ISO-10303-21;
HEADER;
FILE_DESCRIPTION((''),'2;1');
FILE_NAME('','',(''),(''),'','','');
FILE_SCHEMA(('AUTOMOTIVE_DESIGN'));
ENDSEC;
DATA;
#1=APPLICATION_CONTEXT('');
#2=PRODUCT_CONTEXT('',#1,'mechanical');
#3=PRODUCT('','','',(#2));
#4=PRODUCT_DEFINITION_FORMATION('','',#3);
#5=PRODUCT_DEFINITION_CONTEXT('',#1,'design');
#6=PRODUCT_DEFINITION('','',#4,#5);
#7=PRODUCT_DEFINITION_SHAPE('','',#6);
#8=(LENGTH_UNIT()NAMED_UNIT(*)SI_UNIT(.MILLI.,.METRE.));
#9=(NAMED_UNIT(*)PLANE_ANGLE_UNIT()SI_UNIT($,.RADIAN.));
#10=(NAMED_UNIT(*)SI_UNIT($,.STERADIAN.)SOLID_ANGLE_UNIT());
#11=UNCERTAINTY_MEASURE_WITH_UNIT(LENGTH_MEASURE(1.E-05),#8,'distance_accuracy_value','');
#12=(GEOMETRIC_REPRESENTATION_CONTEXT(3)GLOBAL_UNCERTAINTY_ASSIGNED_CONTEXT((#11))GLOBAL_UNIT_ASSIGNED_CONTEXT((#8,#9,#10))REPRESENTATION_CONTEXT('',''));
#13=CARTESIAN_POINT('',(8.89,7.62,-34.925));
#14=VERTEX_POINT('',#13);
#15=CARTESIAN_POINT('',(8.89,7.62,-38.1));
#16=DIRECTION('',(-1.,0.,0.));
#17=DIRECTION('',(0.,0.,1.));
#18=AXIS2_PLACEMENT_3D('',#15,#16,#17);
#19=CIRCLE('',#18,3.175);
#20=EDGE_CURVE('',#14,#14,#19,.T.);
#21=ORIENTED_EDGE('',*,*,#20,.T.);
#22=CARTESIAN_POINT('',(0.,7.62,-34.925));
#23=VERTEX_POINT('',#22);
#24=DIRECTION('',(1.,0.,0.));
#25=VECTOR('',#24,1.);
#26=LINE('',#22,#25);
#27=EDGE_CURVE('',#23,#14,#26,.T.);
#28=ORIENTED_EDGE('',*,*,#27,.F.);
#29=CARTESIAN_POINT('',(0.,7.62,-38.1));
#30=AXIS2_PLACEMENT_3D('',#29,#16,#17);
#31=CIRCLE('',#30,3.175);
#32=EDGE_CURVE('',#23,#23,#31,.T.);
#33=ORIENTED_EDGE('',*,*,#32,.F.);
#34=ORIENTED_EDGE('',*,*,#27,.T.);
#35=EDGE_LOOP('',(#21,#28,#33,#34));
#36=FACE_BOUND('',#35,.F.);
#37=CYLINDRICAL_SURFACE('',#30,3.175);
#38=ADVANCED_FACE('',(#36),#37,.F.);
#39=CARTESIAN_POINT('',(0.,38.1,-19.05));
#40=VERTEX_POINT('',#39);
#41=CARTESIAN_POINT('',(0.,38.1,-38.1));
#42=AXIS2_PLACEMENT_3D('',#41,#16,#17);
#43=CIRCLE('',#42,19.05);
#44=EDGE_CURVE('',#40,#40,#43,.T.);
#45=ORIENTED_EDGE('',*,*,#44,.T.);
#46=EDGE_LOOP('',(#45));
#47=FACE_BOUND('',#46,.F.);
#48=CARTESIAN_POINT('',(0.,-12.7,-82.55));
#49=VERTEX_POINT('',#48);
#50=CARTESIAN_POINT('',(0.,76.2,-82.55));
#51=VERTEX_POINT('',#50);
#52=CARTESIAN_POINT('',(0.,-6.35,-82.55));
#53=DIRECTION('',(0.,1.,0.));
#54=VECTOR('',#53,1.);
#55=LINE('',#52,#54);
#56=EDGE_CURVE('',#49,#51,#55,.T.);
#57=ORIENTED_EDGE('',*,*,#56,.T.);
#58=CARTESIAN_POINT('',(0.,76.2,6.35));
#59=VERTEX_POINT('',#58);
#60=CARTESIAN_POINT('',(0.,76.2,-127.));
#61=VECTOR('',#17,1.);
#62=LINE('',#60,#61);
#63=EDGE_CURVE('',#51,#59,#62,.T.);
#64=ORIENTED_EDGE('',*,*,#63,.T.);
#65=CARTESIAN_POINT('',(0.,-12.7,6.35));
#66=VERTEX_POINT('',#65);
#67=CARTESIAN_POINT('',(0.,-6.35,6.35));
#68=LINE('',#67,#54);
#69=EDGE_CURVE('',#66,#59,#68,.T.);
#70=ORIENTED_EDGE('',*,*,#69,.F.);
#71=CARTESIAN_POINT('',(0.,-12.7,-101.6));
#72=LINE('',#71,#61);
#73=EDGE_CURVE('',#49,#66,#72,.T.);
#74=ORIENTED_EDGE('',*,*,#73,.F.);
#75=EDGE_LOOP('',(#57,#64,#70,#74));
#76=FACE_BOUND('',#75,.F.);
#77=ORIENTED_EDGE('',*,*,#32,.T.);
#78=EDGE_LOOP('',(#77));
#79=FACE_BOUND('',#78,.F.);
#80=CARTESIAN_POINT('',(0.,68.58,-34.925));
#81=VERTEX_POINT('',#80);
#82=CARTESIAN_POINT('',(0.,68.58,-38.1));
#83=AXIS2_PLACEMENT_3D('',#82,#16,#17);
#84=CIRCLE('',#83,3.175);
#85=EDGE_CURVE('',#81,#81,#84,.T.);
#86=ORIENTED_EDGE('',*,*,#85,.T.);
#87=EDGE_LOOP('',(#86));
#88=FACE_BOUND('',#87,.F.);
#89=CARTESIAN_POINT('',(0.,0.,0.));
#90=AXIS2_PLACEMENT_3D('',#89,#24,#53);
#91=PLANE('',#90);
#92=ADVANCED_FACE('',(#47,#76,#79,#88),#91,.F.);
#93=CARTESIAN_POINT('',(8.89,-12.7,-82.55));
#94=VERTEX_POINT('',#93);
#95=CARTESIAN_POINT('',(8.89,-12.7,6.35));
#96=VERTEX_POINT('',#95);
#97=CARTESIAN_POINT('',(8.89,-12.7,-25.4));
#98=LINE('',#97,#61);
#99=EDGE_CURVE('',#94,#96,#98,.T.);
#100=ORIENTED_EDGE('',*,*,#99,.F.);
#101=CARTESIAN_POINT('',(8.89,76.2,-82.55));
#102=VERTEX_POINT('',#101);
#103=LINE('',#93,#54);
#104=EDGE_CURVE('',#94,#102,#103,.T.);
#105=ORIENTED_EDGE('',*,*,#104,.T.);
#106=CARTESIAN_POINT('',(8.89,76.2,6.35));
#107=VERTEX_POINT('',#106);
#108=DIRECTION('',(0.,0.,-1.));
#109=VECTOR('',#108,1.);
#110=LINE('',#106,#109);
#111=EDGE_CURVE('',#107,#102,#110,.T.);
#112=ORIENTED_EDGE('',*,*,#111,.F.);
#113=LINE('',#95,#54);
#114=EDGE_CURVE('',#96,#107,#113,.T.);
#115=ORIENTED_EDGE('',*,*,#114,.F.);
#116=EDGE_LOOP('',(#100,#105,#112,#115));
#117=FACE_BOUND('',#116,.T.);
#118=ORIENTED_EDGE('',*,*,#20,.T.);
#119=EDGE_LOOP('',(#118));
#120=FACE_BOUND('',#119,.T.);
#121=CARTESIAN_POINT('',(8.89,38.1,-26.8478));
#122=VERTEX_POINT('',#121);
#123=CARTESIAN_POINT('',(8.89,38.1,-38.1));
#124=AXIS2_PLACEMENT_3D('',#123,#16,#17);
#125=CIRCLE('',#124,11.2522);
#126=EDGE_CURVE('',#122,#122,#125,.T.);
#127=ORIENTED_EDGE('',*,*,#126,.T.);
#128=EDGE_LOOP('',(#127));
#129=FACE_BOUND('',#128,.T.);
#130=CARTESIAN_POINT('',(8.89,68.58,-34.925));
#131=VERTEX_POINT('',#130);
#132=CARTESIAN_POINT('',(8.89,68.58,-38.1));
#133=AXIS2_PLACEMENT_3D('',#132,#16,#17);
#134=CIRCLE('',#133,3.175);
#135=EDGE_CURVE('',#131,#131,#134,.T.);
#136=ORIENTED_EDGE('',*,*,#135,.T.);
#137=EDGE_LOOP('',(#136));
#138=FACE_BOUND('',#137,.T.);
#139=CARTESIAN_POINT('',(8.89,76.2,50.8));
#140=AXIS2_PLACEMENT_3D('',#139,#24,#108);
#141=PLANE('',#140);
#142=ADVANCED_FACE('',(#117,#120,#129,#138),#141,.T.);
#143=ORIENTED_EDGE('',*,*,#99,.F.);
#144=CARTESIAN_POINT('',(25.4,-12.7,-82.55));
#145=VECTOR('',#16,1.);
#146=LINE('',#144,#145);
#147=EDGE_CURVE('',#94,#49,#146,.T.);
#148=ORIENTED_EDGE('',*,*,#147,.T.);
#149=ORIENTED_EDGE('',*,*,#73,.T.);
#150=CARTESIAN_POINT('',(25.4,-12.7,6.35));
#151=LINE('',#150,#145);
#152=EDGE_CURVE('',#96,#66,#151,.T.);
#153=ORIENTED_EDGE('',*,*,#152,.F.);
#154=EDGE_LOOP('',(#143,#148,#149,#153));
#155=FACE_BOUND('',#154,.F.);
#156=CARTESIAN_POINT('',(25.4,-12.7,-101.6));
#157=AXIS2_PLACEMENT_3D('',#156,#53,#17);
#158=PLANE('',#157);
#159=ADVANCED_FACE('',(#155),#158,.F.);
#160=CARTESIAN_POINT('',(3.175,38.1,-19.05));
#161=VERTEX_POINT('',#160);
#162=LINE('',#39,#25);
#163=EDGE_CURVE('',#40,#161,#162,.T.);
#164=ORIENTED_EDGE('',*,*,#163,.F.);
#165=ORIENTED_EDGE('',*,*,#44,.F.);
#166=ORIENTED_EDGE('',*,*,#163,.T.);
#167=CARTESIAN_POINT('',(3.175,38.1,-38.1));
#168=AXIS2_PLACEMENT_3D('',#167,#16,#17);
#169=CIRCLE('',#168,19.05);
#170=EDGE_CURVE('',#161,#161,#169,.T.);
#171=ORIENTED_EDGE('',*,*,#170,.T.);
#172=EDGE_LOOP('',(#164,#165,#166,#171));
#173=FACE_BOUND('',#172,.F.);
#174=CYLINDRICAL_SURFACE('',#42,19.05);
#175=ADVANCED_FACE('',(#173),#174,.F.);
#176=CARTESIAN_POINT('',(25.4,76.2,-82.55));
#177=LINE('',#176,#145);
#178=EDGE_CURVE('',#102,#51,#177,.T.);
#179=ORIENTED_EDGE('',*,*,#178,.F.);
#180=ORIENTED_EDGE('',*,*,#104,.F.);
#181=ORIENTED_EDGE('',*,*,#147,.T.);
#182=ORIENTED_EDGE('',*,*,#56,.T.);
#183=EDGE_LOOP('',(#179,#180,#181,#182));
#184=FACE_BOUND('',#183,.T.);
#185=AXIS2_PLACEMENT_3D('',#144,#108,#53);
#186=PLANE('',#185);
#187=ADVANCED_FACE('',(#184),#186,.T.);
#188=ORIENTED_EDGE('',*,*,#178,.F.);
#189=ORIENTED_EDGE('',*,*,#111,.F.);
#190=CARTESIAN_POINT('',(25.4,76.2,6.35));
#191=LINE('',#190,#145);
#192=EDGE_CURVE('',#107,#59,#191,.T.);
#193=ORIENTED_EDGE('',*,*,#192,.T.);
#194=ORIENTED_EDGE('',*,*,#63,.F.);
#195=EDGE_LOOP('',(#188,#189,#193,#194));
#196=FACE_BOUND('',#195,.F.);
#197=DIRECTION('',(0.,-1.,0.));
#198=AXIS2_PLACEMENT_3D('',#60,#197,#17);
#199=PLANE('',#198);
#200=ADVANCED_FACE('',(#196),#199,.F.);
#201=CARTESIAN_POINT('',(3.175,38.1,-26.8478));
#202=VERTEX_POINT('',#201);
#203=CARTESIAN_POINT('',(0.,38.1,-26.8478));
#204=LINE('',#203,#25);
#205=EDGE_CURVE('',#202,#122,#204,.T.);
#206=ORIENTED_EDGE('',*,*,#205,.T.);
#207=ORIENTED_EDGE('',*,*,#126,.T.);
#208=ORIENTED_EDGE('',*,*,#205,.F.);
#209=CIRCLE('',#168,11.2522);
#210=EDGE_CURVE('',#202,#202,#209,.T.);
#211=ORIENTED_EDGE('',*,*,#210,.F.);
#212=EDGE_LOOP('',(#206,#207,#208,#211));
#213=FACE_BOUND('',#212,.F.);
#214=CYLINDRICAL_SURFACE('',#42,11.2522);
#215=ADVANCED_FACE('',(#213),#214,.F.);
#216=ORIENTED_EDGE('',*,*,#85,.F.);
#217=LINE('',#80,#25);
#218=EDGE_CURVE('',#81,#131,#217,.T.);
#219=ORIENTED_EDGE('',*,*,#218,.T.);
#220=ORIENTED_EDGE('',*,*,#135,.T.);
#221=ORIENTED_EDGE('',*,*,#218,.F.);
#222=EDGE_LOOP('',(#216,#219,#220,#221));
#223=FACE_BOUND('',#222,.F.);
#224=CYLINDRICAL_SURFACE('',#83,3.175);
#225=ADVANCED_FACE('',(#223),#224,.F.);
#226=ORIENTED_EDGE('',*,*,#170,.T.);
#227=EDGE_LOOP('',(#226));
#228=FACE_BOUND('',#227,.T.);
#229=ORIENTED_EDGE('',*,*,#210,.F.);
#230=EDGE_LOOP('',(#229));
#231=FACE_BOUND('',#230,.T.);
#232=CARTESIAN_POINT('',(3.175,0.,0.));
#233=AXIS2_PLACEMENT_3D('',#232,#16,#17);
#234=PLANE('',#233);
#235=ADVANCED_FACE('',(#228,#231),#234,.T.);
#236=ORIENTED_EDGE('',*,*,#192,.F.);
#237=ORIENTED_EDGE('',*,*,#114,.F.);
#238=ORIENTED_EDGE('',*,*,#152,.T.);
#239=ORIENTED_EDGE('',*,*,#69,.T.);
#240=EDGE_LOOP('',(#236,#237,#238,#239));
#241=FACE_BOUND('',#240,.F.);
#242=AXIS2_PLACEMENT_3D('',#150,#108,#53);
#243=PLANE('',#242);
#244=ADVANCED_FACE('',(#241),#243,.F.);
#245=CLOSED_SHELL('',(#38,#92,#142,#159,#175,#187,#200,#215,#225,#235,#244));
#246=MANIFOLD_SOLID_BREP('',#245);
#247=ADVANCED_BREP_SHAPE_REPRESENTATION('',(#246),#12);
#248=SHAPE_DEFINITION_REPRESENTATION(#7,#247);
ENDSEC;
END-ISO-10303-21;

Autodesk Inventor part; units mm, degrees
ref_plane "YZ Plane" through (0, 0, 0) normal (1, 0, 0) x (0, 1, 0)
ref_plane "XZ Plane" through (0, 0, 0) normal (0, 1, 0) x (-1, 0, 0)
ref_plane "XY Plane" through (0, 0, 0) normal (0, 0, 1) x (1, 0, 0)
sketch "Sketch3" plane through (0, 0, 0) normal (1, 0, 0) x (0, 1, 0)
  line L0 (0, 0) -> (76.2, 0)
  line L1 (76.2, 0) -> (76.2, -76.2)
  line L2 (76.2, -76.2) -> (0, -76.2)
  line L3 (0, -76.2) -> (0, 0)
  line L4 (76.2, 0) -> (50.8, 0)
  line L5 (50.8, 50.8) -> (76.2, 50.8)
  line L6 (76.2, 50.8) -> (76.2, 0)
  line L7 (76.2, -76.2) -> (50.8, -76.2)
  line L8 (50.8, -127) -> (76.2, -127)
  line L9 (76.2, -127) -> (76.2, -76.2)
  line L10 (50.8, 50.8) -> (-50.8, 50.8)
  line L11 (-50.8, 50.8) -> (-50.8, 0)
  line L12 (0, 0) -> (50.8, 0)
  line L13 (50.8, -76.2) -> (0, -76.2)
  line L14 (-50.8, -76.2) -> (-50.8, -127)
  line L15 (-50.8, -127) -> (50.8, -127)
  line L16 (0, 0) -> (0, -76.2)
  line L17 (-50.8, -76.2) -> (-50.8, 0)
  dimension "d1" = 76.2
  dimension "d26" = 50.8
extrude "Extrusion1" add sketch "Sketch3" along normal blind 25.4
sketch "Sketch5" plane through (0, 0, 0) normal (-1, 0, 0) x (0, 0, 1)
  line L0 (-76.2, 76.2) -> (0, 76.2) projected
  line L1 (-76.2, 76.2) -> (-38.1, 76.2)
  line L2 (-38.1, 76.2) -> (-38.1, 63.5)
  line L3 (-38.1, 63.5) -> (-38.1, 38.1)
  circle A0 centre (-38.1, 38.1) radius 11.2522
  point P0 (0, 0)
  dimension "d10" = 38.1
  dimension "d11" = 12.7
  dimension "d12" = 25.4
  dimension "d13" = 22.5044
extrude "Extrusion3" cut sketch "Sketch5" against normal blind 76.2
sketch "Sketch6" plane through (25.4, 0, 0) normal (1, 0, 0) x (0, 0, -1)
  circle A0 centre (38.1, 38.1) radius 11.2522 projected
  circle A1 centre (38.1, 38.1) radius 19.05
  point P0 (0, 0)
  dimension "d20" = 38.1
extrude "Extrusion4" cut sketch "Sketch6" against normal blind 6.35
sketch "Sketch8" plane through (0, 76.2, 50.8) normal (0, 1, 0) x (1, 0, 0)
  line L0 (0, 0) -> (25.4, 0) projected
  line L1 (12.7, 0) -> (9.525, 0)
  line L2 (9.525, 0) -> (15.875, 0)
  line L3 (15.875, 0) -> (15.875, 50.8)
  line L4 (15.875, 50.8) -> (9.525, 50.8)
  line L5 (9.525, 50.8) -> (9.525, 0)
  line L6 (0, 177.8) -> (0, 0) projected
  line L7 (12.7, 177.8) -> (9.525, 177.8)
  line L8 (9.525, 177.8) -> (15.875, 177.8)
  line L9 (15.875, 177.8) -> (15.875, 127)
  line L10 (15.875, 127) -> (9.525, 127)
  line L11 (9.525, 127) -> (9.525, 177.8)
  line L12 (0, 0) -> (0, 177.8)
  point P0 (0, 50.8)
  point P1 (25.4, 177.8)
  point P2 (15.875, 0)
  dimension "d28" = 6.35
  dimension "d29" = 50.8
extrude "Extrusion5" cut sketch "Sketch8" against normal blind 76.2
sketch "Sketch9" plane through (0, -50.8, 50.8) normal (0, 0, 1) x (1, 0, 0)
  line L0 (9.525, 50.8) -> (15.875, 50.8)
  line L1 (15.875, 50.8) -> (15.875, 0)
  line L2 (15.875, 0) -> (9.525, 0)
  line L3 (9.525, 0) -> (9.525, 50.8)
  point P0 (0, 50.8)
  dimension "d32" = 6.35
  dimension "d33" = 50.8
extrude "Extrusion6" cut sketch "Sketch9" against normal blind 203.2
sketch "Sketch10" plane through (0, 0, 0) normal (-1, 0, 0) x (0, 0, 1)
  circle A0 centre (-38.1, 38.1) radius 11.2522 projected
  circle A1 centre (-38.1, 38.1) radius 19.05
  point P0 (0, 0)
  dimension "d36" = 38.1
extrude "Extrusion7" cut sketch "Sketch10" against normal blind 3.175 contours A0 | A1
sketch "Sketch11" plane through (0, 76.2, 50.8) normal (0, 1, 0) x (1, 0, 0)
  line L0 (9.525, 50.8) -> (15.875, 50.8) projected
  line L1 (16.51, 50.8) -> (16.51, 0)
  line L2 (16.51, 0) -> (8.89, 0)
  line L3 (9.525, 177.8) -> (9.525, 0) projected
  line L4 (8.89, 0) -> (8.89, 51.308)
  line L5 (8.89, 0) -> (60.198, 0) construction
  line L6 (8.89, 51.308) -> (16.51, 51.308)
  line L7 (16.51, 51.308) -> (16.51, 50.8)
  line L8 (0, 69.85) -> (0, 107.95) projected
  line L9 (0, 88.9) -> (23.8125, 88.9)
  line L10 (9.525, 127) -> (15.875, 127)
  line L11 (16.51, 127) -> (16.51, 177.8)
  line L12 (16.51, 177.8) -> (8.89, 177.8)
  line L13 (8.89, 177.8) -> (8.89, 126.492)
  line L14 (8.89, 126.492) -> (16.51, 126.492)
  line L15 (16.51, 126.492) -> (16.51, 127)
  point P0 (0, 50.8)
  point P1 (0, 127)
  dimension "d40" = 7.62
extrude "Extrusion8" cut sketch "Sketch11" against normal blind 152.4
sketch "Sketch12" plane through (25.4, -50.8, 50.8) normal (0, 0, 1) x (1, 0, 0)
  line L0 (-8.89, 127) -> (-8.89, 0) projected
  line L1 (-16.51, 127) -> (-16.51, 0) projected
  line L2 (-8.89, 50.8) -> (-16.51, 50.8)
  line L3 (-16.51, 50.8) -> (-16.51, 0)
  line L4 (-16.51, 0) -> (-8.89, 0)
  line L5 (-8.89, 0) -> (-8.89, 50.8)
  point P0 (-25.4, 50.8)
extrude "Extrusion9" cut sketch "Sketch12" against normal blind 203.2
sketch "Sketch13" plane through (25.4, 0, 0) normal (1, 0, 0) x (0, 0, -1)
  line L0 (127, 76.2) -> (-50.8, 76.2) projected
  line L1 (-50.8, -50.8) -> (127, -50.8) projected
  line L2 (-50.8, 76.2) -> (-25.4, 76.2)
  line L3 (-25.4, 76.2) -> (-25.4, -50.8)
  line L4 (-25.4, -50.8) -> (-50.8, -50.8)
  line L5 (-50.8, -50.8) -> (-50.8, 76.2)
  line L6 (127, -50.8) -> (127, 76.2) projected
  line L7 (127, 76.2) -> (75.692, 76.2) projected
  line L8 (127, -50.8) -> (101.6, -50.8)
  line L9 (101.6, -50.8) -> (101.6, 76.2)
  line L10 (101.6, 76.2) -> (127, 76.2)
  line L11 (127, 76.2) -> (127, -50.8)
  point P0 (0, 0)
  dimension "d49" = 25.4
  dimension "d50" = 25.4
extrude "Extrusion10" cut sketch "Sketch13" against normal blind 25.4 contours L6 L1 L9 L0 | L3 L1 L5 L0
sketch "Sketch14" plane through (25.4, 0, 0) normal (1, 0, 0) x (0, 0, -1)
  line L0 (-25.4, -50.8) -> (101.6, -50.8) projected
  line L1 (101.6, -50.8) -> (101.6, 76.2) projected
  line L2 (-25.4, -50.8) -> (101.6, -50.8)
  line L3 (101.6, -50.8) -> (101.6, -12.7)
  line L4 (101.6, -12.7) -> (-25.4, -12.7)
  line L5 (-25.4, -12.7) -> (-25.4, -50.8)
  point P0 (0, 0)
  dimension "d53" = 38.1
extrude "Extrusion11" cut sketch "Sketch14" against normal blind 25.4
sketch "Sketch15" plane through (25.4, 0, 0) normal (1, 0, 0) x (0, 0, -1)
  point P0 (0, 0)
sketch "Sketch16" plane through (0, 76.2, 25.4) normal (0, 0, 1) x (1, 0, 0)
  point P0 (0, -76.2)
sketch "Sketch17" plane through (8.89, 76.2, -75.692) normal (0, 1, 0) x (1, 0, 0)
  line L0 (-8.89, -101.092) -> (0, -101.092) projected
  line L1 (7.62, 25.908) -> (7.62, -101.092) projected
  line L2 (0, -101.092) -> (7.62, -101.092)
  line L3 (7.62, -101.092) -> (7.62, -62.992)
  line L4 (7.62, -62.992) -> (0, -62.992)
  line L5 (0, -62.992) -> (0, -101.092)
  line L6 (7.62, 25.908) -> (7.62, 0) projected
  line L7 (0, -101.092) -> (0, 25.908) projected
  line L8 (7.62, 25.908) -> (0, 25.908)
  line L9 (0, 25.908) -> (0, -12.192)
  line L10 (0, -12.192) -> (7.62, -12.192)
  line L11 (7.62, -12.192) -> (7.62, 25.908)
  point P0 (-8.89, -75.692)
  point P1 (7.62, -12.192)
  dimension "d56" = 38.1
  dimension "d57" = 38.1
extrude "Extrusion12" cut sketch "Sketch17" against normal blind 76.2 contours L1 L10 L7 L8 | L1 L2 L5 L4
sketch "Sketch18" plane through (8.89, 0, -12.7) normal (0, -1, 0) x (1, 0, 0)
  point P0 (-8.89, 12.7)
sketch "Sketch19" plane through (25.4, 0, 0) normal (1, 0, 0) x (0, 0, -1)
  line L0 (12.7, 76.2) -> (-25.4, 76.2) projected
  line L1 (-25.4, -12.7) -> (-6.35, -12.7)
  line L2 (-6.35, -12.7) -> (-6.35, 76.2)
  line L3 (-6.35, 76.2) -> (-25.4, 76.2)
  line L4 (-25.4, 76.2) -> (-25.4, -12.7)
  line L5 (101.6, -12.7) -> (-25.4, -12.7) projected
  line L6 (101.6, 76.2) -> (-25.4, 76.2) projected
  line L7 (101.6, -12.7) -> (82.55, -12.7)
  line L8 (82.55, -12.7) -> (82.55, 76.2)
  line L9 (82.55, 76.2) -> (101.6, 76.2)
  line L10 (101.6, 76.2) -> (101.6, -12.7)
  point P0 (0, 0)
  dimension "d60" = 19.05
extrude "Extrusion13" cut sketch "Sketch19" against normal blind 76.2 contours L2 L1 L4 L0 | L6 L10 L5 L8
sketch "Sketch20" plane through (0, 76.2, 6.35) normal (0, 0, 1) x (1, 0, 0)
  line L0 (8.89, -88.9) -> (0, -88.9) projected
  line L1 (8.89, 0) -> (8.89, -76.2) projected
  line L2 (0, -88.9) -> (8.89, -88.9)
  line L3 (8.89, -88.9) -> (8.89, 0)
  line L4 (8.89, 0) -> (0, 0)
  line L5 (0, 0) -> (0, -88.9)
  line L6 (16.51, 0) -> (25.4, 0) projected
  line L7 (8.89, -88.9) -> (8.89, 0) projected
  line L8 (25.4, 0) -> (8.89, 0)
  line L9 (8.89, 0) -> (8.89, -88.9)
  line L10 (8.89, -88.9) -> (25.4, -88.9)
  line L11 (25.4, -88.9) -> (25.4, 0)
  point P0 (0, -76.2)
extrude "Extrusion14" cut sketch "Sketch20" against normal blind 127 contours L3 L1 L8 L6 L11 L10
sketch "Sketch21" plane through (0, 0, 0) normal (-1, 0, 0) x (0, 0, 1)
  circle A0 centre (-38.1, 38.1) radius 11.2522 projected
  circle A1 centre (-38.1, 68.58) radius 3.175
  circle A2 centre (-38.1, 7.62) radius 3.175
  point P0 (0, 0)
  dimension "d67" = 6.35
  dimension "d68" = 6.35
extrude "Extrusion15" cut sketch "Sketch21" against normal blind 25.4 contours A1 | A2
properties part number "220307 Rod Supports correct"
